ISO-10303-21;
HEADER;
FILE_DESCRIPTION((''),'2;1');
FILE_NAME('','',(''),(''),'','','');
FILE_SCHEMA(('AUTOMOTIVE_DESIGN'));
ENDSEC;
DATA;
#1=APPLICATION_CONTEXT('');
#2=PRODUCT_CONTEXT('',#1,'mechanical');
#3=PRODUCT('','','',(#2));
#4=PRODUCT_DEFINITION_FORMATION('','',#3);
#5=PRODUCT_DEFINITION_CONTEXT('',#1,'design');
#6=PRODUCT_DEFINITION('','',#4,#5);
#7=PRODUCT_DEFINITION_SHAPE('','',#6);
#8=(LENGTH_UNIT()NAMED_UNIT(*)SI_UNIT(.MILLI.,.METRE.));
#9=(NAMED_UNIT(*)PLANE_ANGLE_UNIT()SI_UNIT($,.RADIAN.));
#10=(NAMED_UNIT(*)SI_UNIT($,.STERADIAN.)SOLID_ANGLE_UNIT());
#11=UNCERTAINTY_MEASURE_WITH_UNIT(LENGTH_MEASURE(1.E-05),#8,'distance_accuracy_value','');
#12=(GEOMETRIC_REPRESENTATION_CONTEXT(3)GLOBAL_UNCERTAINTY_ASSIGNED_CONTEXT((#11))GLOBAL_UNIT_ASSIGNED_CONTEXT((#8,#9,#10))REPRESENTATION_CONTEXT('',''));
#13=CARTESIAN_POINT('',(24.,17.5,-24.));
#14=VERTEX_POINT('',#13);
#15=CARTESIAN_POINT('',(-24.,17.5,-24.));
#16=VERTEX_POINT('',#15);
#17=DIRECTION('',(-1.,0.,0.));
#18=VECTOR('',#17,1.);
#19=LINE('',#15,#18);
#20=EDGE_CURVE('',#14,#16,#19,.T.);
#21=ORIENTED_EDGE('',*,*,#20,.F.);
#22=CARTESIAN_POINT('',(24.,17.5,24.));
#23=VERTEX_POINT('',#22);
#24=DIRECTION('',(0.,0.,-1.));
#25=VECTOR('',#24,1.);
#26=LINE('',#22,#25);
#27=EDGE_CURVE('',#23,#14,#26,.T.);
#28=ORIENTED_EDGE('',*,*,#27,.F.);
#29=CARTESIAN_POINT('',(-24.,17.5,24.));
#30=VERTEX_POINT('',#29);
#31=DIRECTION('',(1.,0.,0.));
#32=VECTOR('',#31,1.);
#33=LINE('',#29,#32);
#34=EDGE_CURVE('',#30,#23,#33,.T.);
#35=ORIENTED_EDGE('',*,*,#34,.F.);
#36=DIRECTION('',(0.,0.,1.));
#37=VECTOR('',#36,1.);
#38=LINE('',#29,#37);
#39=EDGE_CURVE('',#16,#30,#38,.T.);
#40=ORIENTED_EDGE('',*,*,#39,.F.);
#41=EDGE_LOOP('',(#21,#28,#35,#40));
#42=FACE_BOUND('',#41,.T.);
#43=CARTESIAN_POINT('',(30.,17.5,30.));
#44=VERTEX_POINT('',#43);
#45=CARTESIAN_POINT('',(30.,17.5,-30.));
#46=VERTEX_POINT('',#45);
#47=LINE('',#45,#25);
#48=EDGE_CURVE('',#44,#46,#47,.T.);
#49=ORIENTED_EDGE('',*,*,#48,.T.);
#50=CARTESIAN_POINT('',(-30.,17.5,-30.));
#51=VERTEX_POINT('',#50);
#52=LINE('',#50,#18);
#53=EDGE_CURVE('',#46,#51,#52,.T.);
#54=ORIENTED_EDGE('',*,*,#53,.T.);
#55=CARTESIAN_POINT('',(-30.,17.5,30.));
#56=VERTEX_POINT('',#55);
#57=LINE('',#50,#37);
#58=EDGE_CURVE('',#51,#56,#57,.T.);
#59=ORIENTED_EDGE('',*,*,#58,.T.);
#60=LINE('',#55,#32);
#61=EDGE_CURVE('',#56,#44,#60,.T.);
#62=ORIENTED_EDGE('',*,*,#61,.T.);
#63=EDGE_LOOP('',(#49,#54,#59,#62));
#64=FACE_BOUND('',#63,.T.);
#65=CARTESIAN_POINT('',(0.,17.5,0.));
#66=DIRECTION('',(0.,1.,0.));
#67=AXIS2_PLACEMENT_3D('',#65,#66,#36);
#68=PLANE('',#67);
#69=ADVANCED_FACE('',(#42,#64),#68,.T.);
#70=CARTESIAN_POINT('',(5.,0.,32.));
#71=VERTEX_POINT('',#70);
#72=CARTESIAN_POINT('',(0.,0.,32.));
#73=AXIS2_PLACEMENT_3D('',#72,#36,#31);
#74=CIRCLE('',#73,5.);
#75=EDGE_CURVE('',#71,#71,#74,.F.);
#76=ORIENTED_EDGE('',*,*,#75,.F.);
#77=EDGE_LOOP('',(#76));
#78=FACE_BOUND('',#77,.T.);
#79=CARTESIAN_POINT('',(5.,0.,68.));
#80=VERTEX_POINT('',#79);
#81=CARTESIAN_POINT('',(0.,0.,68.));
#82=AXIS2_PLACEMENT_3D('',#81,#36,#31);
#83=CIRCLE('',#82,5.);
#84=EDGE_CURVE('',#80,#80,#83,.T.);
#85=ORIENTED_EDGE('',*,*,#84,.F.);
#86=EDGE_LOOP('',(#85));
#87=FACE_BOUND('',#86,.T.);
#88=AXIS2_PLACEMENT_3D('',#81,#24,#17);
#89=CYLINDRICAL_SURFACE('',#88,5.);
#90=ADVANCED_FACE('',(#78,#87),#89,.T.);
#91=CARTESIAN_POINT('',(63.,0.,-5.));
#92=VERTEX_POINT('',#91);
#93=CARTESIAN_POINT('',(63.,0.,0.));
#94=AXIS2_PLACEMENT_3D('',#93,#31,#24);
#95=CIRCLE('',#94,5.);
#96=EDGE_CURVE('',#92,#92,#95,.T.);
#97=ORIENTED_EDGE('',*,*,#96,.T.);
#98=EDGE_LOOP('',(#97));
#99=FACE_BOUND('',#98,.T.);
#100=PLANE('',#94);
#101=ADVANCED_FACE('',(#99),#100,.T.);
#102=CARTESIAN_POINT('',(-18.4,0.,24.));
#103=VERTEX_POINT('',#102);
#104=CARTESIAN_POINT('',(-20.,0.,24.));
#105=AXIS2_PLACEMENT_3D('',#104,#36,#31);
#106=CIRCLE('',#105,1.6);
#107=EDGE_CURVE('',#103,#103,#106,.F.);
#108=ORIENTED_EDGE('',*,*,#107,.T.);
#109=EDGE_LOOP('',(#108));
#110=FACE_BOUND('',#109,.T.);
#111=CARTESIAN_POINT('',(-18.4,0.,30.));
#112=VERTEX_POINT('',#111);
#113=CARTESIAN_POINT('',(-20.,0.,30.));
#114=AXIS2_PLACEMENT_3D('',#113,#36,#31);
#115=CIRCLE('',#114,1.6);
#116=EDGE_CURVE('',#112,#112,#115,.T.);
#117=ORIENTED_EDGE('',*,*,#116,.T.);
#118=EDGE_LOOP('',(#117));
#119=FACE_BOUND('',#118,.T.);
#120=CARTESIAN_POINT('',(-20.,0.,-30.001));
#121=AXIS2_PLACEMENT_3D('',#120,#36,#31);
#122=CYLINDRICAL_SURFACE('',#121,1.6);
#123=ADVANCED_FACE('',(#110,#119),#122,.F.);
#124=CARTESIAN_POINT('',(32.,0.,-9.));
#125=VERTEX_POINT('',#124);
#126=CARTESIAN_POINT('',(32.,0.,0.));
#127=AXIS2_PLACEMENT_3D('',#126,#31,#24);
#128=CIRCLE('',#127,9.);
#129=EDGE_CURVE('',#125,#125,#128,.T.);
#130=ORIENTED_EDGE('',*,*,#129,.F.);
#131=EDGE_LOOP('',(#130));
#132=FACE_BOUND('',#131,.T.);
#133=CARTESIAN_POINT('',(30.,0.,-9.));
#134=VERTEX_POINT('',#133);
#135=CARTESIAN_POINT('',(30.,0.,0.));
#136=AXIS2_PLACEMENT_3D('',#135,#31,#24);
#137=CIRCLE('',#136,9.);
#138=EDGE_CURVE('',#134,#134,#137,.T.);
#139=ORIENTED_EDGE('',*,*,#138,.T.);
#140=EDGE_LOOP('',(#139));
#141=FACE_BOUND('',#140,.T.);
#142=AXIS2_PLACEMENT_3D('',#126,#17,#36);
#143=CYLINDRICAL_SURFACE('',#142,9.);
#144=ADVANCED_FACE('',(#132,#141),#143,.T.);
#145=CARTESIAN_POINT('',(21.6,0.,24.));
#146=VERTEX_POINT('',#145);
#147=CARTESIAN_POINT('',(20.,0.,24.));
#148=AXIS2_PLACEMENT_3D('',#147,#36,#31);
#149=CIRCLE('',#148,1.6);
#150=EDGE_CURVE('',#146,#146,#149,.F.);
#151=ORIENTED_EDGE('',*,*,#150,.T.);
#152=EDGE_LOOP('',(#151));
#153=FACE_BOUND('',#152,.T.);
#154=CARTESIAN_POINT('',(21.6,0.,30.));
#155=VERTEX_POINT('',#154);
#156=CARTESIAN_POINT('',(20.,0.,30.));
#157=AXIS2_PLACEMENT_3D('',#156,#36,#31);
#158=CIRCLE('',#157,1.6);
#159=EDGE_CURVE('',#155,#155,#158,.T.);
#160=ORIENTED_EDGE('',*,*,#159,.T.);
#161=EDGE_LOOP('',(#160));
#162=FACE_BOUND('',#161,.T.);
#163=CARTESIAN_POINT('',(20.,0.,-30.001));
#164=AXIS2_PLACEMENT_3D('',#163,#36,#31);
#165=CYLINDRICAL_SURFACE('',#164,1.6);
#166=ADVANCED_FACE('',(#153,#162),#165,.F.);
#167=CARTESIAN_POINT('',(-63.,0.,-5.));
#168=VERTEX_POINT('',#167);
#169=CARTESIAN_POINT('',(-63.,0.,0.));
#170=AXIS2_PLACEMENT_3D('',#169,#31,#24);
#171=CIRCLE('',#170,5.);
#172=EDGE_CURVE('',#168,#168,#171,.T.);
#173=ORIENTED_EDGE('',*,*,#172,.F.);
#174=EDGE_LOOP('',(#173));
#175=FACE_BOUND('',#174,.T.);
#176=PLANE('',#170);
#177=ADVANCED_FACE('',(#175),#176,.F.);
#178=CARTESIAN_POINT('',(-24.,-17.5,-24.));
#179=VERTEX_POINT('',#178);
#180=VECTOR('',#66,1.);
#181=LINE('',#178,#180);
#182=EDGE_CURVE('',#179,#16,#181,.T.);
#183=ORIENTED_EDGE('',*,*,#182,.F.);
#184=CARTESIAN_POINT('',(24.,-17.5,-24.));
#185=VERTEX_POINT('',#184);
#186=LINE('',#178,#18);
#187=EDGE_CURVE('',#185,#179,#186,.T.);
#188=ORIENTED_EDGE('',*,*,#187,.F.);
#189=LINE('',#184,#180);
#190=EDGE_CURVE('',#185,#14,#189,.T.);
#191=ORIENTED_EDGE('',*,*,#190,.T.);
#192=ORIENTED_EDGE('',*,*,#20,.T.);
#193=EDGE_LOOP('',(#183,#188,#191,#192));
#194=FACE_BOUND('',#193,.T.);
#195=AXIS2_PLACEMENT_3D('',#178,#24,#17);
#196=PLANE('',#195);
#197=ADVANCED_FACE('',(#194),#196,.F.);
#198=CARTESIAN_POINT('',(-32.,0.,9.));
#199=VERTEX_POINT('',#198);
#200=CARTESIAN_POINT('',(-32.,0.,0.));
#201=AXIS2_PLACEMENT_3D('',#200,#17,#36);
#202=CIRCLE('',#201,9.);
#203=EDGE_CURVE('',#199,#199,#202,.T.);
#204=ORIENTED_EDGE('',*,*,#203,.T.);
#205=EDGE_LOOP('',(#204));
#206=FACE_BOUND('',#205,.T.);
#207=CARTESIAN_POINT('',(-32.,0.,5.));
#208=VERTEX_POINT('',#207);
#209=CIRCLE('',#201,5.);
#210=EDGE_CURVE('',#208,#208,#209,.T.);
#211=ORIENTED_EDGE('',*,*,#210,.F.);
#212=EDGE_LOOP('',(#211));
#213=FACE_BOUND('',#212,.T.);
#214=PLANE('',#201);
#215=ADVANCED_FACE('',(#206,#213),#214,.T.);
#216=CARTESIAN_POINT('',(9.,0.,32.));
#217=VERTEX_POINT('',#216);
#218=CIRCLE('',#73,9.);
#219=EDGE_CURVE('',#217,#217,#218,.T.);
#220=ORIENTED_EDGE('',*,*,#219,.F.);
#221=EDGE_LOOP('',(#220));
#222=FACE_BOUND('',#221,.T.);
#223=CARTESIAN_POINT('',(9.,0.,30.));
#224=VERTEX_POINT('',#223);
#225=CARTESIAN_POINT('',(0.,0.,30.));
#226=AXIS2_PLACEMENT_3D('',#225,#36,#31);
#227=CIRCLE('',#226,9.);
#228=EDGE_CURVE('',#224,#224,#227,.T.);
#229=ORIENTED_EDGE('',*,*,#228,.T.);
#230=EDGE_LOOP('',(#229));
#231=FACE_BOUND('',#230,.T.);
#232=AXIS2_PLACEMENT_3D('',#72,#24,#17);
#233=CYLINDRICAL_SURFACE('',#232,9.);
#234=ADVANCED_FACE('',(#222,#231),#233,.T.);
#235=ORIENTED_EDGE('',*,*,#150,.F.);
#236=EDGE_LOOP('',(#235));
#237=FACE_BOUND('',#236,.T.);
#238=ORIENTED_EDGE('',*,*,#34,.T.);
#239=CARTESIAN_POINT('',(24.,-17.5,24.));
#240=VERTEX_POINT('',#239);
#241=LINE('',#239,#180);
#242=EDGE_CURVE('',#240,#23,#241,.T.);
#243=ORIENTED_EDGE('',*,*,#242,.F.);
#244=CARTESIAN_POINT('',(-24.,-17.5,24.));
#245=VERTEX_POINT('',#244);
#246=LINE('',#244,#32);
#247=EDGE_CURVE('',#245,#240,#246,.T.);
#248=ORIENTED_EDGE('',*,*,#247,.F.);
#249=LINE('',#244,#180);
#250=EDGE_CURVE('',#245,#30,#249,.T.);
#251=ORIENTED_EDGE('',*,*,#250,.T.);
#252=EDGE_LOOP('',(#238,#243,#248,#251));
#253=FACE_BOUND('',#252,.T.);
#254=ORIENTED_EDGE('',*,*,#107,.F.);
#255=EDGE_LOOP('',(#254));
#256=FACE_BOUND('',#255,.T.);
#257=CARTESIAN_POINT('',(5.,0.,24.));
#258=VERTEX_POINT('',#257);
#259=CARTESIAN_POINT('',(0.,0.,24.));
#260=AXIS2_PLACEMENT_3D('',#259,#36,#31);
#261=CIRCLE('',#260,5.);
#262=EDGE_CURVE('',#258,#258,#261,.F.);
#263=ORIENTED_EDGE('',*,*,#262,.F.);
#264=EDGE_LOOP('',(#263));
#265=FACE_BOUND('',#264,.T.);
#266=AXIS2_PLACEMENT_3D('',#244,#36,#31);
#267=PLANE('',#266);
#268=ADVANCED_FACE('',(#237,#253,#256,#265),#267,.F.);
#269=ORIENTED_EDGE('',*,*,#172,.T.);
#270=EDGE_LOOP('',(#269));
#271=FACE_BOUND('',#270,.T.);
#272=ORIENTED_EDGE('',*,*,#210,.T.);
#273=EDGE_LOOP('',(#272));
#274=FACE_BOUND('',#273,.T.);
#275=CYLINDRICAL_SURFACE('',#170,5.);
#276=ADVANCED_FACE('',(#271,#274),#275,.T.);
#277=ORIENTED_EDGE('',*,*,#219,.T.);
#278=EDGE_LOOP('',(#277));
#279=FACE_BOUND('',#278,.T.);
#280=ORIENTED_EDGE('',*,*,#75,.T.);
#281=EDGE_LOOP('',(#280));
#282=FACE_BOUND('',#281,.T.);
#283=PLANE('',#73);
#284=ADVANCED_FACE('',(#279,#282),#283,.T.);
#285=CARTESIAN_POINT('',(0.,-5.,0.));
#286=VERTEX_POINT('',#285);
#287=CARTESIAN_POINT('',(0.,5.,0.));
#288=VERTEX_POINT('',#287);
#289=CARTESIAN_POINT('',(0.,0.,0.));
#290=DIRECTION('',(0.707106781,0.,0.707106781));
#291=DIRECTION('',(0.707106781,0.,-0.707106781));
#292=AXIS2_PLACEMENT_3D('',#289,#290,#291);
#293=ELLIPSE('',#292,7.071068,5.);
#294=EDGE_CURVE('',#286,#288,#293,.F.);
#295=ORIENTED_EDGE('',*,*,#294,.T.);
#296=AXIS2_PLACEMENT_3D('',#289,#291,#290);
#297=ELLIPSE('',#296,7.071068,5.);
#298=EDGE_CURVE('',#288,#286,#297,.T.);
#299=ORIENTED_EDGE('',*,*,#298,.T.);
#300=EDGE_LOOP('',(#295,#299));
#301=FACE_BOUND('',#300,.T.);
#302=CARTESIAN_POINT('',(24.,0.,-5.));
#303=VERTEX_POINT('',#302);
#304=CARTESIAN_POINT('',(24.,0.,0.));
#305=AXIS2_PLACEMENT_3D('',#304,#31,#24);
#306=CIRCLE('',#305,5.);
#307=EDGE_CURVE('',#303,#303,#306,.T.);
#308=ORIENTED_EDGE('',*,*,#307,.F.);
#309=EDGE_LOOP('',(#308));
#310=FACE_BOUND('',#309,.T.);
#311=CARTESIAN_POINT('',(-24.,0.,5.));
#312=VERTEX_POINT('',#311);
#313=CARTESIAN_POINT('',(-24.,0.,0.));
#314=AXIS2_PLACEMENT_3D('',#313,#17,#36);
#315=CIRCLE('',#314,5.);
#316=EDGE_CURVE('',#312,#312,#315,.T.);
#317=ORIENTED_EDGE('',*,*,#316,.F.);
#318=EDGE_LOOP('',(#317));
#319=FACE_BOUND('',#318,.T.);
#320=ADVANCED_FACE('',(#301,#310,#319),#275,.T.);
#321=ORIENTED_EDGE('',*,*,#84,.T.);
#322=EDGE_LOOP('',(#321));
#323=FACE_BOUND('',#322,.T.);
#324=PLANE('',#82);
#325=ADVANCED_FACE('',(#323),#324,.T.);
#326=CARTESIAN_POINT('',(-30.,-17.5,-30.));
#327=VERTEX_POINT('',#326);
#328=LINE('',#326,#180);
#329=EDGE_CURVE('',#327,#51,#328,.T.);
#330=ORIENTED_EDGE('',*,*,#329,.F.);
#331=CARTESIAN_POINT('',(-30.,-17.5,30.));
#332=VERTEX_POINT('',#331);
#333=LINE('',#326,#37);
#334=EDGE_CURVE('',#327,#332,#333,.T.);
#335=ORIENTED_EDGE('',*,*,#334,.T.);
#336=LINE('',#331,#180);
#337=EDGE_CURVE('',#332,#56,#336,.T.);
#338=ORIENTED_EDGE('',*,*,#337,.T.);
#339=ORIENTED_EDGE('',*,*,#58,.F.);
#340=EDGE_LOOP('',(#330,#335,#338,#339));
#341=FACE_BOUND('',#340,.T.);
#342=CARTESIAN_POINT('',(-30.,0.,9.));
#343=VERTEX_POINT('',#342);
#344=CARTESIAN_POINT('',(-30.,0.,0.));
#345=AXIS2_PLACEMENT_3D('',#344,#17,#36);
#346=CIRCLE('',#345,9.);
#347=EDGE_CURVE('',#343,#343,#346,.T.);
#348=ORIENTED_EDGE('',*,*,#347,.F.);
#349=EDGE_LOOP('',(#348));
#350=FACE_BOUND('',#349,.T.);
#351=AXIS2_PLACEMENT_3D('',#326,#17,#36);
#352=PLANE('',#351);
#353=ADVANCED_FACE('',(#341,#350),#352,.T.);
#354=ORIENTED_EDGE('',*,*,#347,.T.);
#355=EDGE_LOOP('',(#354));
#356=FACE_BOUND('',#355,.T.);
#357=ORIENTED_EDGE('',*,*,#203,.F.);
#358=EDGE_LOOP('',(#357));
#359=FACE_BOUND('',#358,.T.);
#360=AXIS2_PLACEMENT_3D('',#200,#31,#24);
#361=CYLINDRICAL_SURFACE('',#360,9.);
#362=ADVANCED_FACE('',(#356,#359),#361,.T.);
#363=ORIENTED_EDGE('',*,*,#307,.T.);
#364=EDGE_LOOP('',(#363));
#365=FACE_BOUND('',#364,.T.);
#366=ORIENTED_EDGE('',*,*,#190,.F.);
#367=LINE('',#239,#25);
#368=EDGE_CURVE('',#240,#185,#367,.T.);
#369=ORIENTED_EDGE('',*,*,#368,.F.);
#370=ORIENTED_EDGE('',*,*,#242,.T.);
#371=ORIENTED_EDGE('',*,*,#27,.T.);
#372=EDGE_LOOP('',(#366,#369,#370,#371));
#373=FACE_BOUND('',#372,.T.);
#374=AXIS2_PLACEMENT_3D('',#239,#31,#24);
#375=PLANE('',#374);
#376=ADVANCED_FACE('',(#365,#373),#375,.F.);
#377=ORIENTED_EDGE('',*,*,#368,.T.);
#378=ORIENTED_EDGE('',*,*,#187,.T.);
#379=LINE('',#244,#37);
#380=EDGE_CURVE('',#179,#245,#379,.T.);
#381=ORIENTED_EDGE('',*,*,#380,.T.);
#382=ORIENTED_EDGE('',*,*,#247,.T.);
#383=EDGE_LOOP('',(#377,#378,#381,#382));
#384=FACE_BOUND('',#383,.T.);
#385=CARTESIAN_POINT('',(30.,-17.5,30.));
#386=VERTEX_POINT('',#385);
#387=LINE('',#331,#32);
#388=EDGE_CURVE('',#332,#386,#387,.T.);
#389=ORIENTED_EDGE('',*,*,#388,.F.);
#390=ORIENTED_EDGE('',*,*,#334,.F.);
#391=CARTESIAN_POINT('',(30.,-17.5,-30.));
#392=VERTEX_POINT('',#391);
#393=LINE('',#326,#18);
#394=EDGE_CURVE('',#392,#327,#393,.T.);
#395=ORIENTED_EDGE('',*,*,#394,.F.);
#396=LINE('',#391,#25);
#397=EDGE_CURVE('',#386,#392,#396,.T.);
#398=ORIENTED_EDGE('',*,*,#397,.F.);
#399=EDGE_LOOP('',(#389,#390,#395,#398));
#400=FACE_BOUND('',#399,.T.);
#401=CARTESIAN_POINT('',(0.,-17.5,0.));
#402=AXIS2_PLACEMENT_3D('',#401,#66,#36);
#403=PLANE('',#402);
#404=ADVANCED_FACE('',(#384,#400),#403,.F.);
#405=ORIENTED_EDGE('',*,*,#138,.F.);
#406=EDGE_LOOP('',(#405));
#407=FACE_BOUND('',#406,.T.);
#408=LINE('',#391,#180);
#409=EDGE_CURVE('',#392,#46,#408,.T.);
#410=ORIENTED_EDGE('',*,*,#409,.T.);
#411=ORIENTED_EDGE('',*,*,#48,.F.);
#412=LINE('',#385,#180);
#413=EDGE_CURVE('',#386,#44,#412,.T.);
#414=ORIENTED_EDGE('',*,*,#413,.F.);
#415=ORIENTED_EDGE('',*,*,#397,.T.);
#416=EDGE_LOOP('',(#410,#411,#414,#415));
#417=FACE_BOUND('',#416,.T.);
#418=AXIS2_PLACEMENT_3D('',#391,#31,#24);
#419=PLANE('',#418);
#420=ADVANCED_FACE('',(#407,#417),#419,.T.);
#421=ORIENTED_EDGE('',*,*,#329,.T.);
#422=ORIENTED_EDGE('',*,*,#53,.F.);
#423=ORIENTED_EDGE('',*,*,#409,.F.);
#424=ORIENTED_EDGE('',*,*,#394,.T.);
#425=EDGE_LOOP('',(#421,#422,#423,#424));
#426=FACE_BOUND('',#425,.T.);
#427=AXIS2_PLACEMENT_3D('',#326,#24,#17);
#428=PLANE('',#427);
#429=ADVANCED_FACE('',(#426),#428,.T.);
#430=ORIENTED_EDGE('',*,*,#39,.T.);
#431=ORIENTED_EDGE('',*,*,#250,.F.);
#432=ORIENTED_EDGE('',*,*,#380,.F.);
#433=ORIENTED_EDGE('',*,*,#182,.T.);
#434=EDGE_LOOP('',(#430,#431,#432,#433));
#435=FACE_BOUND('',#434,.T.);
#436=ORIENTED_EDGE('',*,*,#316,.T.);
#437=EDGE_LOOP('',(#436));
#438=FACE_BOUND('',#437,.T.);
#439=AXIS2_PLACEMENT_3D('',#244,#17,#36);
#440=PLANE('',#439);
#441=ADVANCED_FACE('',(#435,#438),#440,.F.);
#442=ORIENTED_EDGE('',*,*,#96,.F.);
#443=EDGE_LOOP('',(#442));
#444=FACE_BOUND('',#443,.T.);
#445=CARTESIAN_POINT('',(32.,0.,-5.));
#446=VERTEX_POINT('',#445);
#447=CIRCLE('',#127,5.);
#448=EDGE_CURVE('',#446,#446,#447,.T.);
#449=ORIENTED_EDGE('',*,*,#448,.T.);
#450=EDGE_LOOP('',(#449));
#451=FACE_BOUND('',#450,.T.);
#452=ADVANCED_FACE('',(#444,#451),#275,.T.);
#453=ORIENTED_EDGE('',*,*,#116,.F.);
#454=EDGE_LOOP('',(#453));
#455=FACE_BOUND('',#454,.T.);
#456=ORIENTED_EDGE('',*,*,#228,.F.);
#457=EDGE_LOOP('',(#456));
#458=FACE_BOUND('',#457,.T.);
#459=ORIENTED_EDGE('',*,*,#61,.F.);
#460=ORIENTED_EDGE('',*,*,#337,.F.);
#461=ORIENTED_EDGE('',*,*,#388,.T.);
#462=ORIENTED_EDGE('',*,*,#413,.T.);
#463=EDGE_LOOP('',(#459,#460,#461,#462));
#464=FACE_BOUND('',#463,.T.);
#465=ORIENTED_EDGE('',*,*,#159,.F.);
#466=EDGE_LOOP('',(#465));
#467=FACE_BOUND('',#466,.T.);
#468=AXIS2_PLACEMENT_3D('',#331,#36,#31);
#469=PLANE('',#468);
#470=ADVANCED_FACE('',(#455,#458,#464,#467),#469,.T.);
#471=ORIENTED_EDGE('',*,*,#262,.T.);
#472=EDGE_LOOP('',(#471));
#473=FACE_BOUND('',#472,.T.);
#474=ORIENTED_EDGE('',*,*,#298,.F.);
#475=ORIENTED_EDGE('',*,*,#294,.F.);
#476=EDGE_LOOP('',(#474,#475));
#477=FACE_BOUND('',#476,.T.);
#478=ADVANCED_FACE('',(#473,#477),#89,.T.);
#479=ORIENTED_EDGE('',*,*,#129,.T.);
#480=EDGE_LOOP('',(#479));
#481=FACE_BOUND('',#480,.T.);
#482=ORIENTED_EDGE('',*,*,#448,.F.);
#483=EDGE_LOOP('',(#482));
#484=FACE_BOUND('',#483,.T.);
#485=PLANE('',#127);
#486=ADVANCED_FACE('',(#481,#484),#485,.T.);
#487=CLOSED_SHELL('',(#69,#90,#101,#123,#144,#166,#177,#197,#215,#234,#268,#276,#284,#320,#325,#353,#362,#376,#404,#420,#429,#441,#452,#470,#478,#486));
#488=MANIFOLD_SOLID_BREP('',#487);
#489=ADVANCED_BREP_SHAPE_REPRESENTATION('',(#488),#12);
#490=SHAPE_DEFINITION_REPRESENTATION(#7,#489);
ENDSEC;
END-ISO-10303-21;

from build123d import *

# Parameters (mm, degrees)
SALIENTE_EXTRUIR1_DEPTH      = 17.5
SALIENTE_EXTRUIR1_DEPTH_BACK = 17.5
CROQUIS1_W                   = 60
CROQUIS1_H                   = 60
CROQUIS1_W_2                 = 48
CROQUIS1_H_2                 = 48
CROQUIS2_R                   = 9
SALIENTE_EXTRUIR2_DEPTH      = 2
CROQUIS3_R                   = 9
SALIENTE_EXTRUIR3_DEPTH      = 2
SALIENTE_EXTRUIR4_START      = 2
CROQUIS4_R                   = 9
SALIENTE_EXTRUIR4_DEPTH      = 2
SALIENTE_EXTRUIR5_DEPTH      = 63
SALIENTE_EXTRUIR5_DEPTH_BACK = 63
CROQUIS5_R                   = 5
CROQUIS6_R                   = 5
SALIENTE_EXTRUIR6_DEPTH      = 68
CUT_EXTRUDE1_REACH           = 90.743
SKETCH1_R                    = 1.6


with BuildPart() as part:
    # Croquis1 → Saliente-Extruir1 (new, two sides: drawn at the far end of the back side and taken through both)
    with BuildSketch(Plane(origin=(0, 0, 0), x_dir=(1, 0, 0), z_dir=(0, 1, 0)).offset(-SALIENTE_EXTRUIR1_DEPTH_BACK)):
        Rectangle(CROQUIS1_W, CROQUIS1_H)
        Rectangle(CROQUIS1_W_2, CROQUIS1_H_2, mode=Mode.SUBTRACT)
    extrude(amount=SALIENTE_EXTRUIR1_DEPTH + SALIENTE_EXTRUIR1_DEPTH_BACK)

    # Croquis2 → Saliente-Extruir2 (add)
    with BuildSketch(Plane.XY.offset(30)):
        Circle(CROQUIS2_R)
    extrude(amount=SALIENTE_EXTRUIR2_DEPTH)

    # Croquis3 → Saliente-Extruir3 (add)
    with BuildSketch(Plane(origin=(30, 0, 0), x_dir=(0, 0, -1), z_dir=(1, 0, 0))):
        Circle(CROQUIS3_R)
    extrude(amount=SALIENTE_EXTRUIR3_DEPTH)

    # Croquis4 → Saliente-Extruir4 (add)
    with BuildSketch(Plane.ZY.offset(30).offset(SALIENTE_EXTRUIR4_START)):
        Circle(CROQUIS4_R)
    extrude(amount=-SALIENTE_EXTRUIR4_DEPTH)

    # Croquis5 → Saliente-Extruir5 (add, two sides: drawn at the far end of the back side and taken through both)
    with BuildSketch(Plane(origin=(0, 0, 0), x_dir=(0, 0, -1), z_dir=(1, 0, 0)).offset(-SALIENTE_EXTRUIR5_DEPTH_BACK)):
        Circle(CROQUIS5_R)
    extrude(amount=SALIENTE_EXTRUIR5_DEPTH + SALIENTE_EXTRUIR5_DEPTH_BACK)

    # Croquis6 → Saliente-Extruir6 (add)
    with BuildSketch(Plane.XY):
        Circle(CROQUIS6_R)
    extrude(amount=SALIENTE_EXTRUIR6_DEPTH)

    # Sketch1 → Cut-Extrude1 (cut, up to next)
    with BuildSketch(Plane.XY.offset(30), mode=Mode.PRIVATE) as cut_extrude1_sk1:
        with Locations((-20, 0)):
            Circle(SKETCH1_R)
    cut_extrude1_tool1 = extrude(cut_extrude1_sk1.sketch, amount=-CUT_EXTRUDE1_REACH, mode=Mode.PRIVATE) & part.part
    # Sketch1 → Cut-Extrude1 (cut, up to next)
    with BuildSketch(Plane.XY.offset(30), mode=Mode.PRIVATE) as cut_extrude1_sk2:
        with Locations((20, 0)):
            Circle(SKETCH1_R)
    cut_extrude1_tool2 = extrude(cut_extrude1_sk2.sketch, amount=-CUT_EXTRUDE1_REACH, mode=Mode.PRIVATE) & part.part
    add(cut_extrude1_tool1.solids().sort_by_distance((-20, 0, 30))[0], mode=Mode.SUBTRACT)
    add(cut_extrude1_tool2.solids().sort_by_distance((20, 0, 30))[0], mode=Mode.SUBTRACT)


solid = part.part
